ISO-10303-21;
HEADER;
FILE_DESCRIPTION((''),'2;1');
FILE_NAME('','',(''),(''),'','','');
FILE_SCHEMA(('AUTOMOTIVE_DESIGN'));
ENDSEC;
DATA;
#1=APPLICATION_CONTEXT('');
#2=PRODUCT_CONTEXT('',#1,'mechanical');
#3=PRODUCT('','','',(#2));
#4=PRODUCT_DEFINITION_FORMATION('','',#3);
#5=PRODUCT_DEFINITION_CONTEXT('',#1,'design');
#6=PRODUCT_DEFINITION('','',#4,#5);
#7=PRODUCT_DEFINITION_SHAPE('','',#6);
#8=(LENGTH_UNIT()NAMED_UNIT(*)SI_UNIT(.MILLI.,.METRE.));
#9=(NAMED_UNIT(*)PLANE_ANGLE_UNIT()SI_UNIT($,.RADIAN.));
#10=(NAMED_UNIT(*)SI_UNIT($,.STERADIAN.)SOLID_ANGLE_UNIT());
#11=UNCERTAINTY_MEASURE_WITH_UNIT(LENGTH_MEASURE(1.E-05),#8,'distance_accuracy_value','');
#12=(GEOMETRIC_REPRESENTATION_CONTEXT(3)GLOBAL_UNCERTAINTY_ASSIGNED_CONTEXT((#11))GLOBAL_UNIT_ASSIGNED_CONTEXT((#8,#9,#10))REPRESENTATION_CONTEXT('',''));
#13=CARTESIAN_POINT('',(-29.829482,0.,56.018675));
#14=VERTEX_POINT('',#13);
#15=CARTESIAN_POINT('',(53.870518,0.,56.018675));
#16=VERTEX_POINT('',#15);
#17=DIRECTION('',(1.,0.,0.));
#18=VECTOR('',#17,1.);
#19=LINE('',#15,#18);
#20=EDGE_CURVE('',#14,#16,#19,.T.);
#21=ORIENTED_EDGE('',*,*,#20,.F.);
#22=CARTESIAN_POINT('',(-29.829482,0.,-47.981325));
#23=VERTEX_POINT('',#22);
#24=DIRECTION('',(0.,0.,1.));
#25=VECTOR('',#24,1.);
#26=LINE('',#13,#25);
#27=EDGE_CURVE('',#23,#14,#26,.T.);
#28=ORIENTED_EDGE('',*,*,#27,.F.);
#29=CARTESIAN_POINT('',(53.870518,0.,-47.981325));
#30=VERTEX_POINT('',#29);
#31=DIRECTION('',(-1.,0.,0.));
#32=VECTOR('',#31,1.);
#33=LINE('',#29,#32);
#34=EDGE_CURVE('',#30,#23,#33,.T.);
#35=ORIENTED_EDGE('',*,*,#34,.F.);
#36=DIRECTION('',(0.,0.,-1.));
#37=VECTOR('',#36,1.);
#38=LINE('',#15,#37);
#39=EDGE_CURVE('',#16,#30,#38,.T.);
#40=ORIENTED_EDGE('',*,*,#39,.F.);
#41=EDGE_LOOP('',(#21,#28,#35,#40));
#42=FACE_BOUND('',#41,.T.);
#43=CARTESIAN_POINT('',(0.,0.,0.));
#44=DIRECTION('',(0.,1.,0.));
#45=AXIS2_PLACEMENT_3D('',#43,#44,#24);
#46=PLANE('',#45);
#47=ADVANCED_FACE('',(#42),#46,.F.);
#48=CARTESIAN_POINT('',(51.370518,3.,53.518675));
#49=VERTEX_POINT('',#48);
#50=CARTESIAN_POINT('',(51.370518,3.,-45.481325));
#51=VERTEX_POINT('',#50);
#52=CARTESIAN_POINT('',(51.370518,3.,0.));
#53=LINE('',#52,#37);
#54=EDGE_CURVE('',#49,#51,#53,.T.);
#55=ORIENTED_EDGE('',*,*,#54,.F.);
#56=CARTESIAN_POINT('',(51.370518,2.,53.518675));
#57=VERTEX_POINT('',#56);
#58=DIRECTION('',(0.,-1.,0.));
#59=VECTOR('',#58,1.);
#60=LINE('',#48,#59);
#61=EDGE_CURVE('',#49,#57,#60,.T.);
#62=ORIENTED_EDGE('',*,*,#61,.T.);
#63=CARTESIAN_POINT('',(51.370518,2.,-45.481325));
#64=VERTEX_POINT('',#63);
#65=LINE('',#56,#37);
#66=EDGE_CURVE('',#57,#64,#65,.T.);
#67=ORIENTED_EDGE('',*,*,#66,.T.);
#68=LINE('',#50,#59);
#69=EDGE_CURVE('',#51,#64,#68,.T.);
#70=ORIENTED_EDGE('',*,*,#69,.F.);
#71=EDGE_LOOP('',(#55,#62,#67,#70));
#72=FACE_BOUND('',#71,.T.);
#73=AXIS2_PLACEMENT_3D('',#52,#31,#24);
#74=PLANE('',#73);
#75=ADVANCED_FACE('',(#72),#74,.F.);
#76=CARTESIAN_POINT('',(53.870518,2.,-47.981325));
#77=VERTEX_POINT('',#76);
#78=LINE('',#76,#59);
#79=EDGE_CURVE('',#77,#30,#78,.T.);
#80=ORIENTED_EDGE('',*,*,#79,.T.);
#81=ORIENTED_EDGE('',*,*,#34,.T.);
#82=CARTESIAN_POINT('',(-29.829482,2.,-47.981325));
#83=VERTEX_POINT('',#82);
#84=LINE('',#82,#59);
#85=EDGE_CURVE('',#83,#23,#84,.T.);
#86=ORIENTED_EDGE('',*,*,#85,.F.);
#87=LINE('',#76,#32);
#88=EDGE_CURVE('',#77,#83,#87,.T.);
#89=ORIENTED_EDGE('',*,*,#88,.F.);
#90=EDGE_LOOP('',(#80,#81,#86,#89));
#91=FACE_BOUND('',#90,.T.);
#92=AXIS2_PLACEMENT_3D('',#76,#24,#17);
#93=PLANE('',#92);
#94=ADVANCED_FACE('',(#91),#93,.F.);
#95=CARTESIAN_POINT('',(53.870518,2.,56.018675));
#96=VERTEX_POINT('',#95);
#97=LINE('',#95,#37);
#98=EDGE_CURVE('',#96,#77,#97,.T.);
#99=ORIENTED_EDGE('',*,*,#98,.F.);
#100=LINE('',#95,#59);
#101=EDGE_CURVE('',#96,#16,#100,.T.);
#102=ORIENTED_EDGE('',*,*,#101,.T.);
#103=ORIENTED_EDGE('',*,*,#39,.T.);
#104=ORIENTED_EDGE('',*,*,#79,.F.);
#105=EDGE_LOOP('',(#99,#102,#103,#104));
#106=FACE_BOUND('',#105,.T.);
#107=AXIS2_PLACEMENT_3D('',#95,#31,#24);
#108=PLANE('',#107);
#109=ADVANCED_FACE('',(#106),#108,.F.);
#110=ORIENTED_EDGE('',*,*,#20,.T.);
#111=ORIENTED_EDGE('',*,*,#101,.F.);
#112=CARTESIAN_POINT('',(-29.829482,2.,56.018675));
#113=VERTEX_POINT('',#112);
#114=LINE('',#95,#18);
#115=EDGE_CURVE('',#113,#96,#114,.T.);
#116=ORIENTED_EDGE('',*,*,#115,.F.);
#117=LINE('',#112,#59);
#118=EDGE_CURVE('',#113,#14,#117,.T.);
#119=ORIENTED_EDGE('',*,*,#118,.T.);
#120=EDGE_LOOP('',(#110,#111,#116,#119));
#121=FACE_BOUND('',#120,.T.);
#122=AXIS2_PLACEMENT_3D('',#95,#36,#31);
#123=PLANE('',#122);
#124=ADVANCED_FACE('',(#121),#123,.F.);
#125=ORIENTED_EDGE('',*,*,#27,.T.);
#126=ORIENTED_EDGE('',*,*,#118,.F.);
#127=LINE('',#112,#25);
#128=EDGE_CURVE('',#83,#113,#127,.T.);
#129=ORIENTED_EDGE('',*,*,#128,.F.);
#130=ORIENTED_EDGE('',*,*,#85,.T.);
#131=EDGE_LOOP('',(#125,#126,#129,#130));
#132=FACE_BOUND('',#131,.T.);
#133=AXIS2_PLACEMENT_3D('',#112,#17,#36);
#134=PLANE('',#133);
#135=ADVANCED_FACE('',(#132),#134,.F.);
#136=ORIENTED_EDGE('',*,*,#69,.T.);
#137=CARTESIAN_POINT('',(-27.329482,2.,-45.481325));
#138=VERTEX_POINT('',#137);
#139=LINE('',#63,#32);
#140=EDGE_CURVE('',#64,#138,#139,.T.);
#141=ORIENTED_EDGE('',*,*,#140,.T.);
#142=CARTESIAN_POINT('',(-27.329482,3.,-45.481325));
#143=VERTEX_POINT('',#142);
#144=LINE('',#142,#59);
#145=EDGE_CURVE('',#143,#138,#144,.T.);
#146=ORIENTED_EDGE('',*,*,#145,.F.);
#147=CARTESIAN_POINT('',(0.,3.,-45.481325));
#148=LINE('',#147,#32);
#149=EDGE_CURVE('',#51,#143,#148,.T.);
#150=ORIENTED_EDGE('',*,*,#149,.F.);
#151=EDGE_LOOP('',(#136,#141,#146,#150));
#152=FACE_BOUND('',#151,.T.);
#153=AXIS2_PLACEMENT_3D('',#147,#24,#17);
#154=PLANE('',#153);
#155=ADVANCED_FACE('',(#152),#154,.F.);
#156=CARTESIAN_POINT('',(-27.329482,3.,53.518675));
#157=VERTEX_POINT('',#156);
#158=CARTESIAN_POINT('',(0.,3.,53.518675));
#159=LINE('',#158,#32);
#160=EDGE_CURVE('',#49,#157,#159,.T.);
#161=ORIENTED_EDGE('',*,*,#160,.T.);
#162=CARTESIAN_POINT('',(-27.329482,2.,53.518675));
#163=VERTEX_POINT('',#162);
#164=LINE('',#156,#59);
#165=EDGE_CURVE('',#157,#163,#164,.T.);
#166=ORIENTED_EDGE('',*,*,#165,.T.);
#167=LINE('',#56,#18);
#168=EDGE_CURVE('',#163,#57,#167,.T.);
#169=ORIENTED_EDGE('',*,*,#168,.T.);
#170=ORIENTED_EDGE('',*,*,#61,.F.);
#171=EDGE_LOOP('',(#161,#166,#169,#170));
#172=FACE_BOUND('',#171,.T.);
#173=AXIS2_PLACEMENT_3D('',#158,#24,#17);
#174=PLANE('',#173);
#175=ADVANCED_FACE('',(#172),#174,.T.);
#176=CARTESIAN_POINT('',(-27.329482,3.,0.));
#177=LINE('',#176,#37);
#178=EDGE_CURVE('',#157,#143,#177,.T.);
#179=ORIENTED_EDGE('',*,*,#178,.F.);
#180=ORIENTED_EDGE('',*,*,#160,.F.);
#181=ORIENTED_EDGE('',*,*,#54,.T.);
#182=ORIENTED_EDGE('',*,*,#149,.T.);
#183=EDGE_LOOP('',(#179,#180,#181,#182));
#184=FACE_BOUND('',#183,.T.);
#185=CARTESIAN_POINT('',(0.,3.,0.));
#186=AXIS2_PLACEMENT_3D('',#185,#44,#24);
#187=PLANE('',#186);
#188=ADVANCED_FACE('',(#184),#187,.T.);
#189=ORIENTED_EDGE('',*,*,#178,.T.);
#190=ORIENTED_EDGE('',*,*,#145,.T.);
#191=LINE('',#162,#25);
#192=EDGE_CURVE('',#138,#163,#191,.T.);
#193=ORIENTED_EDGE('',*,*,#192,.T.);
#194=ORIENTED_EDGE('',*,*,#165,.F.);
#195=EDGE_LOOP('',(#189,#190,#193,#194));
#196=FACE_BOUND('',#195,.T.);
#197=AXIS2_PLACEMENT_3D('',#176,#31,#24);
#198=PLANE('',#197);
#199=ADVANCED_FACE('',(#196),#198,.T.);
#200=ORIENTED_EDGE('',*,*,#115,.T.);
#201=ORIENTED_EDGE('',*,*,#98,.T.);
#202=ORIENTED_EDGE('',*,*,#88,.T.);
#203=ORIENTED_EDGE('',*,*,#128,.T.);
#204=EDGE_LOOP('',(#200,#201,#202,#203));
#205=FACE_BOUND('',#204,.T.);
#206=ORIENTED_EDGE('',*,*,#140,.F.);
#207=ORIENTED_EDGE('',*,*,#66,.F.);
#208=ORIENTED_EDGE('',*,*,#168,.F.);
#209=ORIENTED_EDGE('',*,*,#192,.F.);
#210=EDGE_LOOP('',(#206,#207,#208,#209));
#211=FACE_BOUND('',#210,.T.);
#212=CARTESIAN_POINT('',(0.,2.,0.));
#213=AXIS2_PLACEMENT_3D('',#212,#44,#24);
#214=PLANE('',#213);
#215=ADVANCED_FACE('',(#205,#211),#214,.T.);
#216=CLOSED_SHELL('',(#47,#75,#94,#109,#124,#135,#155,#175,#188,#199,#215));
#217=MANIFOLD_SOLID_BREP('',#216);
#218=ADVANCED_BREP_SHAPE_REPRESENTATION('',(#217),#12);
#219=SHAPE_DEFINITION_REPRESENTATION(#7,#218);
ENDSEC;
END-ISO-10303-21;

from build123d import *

# Parameters (mm, degrees)
SKETCH1_W           = 78.7
SKETCH1_H           = 99
BOSS_EXTRUDE2_DEPTH = 3
SKETCH1_5_W         = 83.7
SKETCH1_5_H         = 104
SKETCH1_5_W_2       = 78.7
SKETCH1_5_H_2       = 99
BOSS_EXTRUDE3_DEPTH = 2


with BuildPart() as part:
    # Sketch1 → Boss-Extrude2 (new body)
    with BuildSketch(Plane(origin=(0, 0, 0), x_dir=(1, 0, 0), z_dir=(0, 1, 0))):
        with Locations((12.02051789, -4.018674821)):
            Rectangle(SKETCH1_W, SKETCH1_H)
    extrude(amount=BOSS_EXTRUDE2_DEPTH)

    # Sketch1<5> → Boss-Extrude3 (add)
    with BuildSketch(Plane(origin=(0, 0, 0), x_dir=(1, 0, 0), z_dir=(0, 1, 0))):
        with Locations((12.02051789, -4.018674821)):
            Rectangle(SKETCH1_5_W, SKETCH1_5_H)
        with Locations((12.02051789, -4.018674821)):
            Rectangle(SKETCH1_5_W_2, SKETCH1_5_H_2, mode=Mode.SUBTRACT)
    extrude(amount=BOSS_EXTRUDE3_DEPTH)


solid = part.part
